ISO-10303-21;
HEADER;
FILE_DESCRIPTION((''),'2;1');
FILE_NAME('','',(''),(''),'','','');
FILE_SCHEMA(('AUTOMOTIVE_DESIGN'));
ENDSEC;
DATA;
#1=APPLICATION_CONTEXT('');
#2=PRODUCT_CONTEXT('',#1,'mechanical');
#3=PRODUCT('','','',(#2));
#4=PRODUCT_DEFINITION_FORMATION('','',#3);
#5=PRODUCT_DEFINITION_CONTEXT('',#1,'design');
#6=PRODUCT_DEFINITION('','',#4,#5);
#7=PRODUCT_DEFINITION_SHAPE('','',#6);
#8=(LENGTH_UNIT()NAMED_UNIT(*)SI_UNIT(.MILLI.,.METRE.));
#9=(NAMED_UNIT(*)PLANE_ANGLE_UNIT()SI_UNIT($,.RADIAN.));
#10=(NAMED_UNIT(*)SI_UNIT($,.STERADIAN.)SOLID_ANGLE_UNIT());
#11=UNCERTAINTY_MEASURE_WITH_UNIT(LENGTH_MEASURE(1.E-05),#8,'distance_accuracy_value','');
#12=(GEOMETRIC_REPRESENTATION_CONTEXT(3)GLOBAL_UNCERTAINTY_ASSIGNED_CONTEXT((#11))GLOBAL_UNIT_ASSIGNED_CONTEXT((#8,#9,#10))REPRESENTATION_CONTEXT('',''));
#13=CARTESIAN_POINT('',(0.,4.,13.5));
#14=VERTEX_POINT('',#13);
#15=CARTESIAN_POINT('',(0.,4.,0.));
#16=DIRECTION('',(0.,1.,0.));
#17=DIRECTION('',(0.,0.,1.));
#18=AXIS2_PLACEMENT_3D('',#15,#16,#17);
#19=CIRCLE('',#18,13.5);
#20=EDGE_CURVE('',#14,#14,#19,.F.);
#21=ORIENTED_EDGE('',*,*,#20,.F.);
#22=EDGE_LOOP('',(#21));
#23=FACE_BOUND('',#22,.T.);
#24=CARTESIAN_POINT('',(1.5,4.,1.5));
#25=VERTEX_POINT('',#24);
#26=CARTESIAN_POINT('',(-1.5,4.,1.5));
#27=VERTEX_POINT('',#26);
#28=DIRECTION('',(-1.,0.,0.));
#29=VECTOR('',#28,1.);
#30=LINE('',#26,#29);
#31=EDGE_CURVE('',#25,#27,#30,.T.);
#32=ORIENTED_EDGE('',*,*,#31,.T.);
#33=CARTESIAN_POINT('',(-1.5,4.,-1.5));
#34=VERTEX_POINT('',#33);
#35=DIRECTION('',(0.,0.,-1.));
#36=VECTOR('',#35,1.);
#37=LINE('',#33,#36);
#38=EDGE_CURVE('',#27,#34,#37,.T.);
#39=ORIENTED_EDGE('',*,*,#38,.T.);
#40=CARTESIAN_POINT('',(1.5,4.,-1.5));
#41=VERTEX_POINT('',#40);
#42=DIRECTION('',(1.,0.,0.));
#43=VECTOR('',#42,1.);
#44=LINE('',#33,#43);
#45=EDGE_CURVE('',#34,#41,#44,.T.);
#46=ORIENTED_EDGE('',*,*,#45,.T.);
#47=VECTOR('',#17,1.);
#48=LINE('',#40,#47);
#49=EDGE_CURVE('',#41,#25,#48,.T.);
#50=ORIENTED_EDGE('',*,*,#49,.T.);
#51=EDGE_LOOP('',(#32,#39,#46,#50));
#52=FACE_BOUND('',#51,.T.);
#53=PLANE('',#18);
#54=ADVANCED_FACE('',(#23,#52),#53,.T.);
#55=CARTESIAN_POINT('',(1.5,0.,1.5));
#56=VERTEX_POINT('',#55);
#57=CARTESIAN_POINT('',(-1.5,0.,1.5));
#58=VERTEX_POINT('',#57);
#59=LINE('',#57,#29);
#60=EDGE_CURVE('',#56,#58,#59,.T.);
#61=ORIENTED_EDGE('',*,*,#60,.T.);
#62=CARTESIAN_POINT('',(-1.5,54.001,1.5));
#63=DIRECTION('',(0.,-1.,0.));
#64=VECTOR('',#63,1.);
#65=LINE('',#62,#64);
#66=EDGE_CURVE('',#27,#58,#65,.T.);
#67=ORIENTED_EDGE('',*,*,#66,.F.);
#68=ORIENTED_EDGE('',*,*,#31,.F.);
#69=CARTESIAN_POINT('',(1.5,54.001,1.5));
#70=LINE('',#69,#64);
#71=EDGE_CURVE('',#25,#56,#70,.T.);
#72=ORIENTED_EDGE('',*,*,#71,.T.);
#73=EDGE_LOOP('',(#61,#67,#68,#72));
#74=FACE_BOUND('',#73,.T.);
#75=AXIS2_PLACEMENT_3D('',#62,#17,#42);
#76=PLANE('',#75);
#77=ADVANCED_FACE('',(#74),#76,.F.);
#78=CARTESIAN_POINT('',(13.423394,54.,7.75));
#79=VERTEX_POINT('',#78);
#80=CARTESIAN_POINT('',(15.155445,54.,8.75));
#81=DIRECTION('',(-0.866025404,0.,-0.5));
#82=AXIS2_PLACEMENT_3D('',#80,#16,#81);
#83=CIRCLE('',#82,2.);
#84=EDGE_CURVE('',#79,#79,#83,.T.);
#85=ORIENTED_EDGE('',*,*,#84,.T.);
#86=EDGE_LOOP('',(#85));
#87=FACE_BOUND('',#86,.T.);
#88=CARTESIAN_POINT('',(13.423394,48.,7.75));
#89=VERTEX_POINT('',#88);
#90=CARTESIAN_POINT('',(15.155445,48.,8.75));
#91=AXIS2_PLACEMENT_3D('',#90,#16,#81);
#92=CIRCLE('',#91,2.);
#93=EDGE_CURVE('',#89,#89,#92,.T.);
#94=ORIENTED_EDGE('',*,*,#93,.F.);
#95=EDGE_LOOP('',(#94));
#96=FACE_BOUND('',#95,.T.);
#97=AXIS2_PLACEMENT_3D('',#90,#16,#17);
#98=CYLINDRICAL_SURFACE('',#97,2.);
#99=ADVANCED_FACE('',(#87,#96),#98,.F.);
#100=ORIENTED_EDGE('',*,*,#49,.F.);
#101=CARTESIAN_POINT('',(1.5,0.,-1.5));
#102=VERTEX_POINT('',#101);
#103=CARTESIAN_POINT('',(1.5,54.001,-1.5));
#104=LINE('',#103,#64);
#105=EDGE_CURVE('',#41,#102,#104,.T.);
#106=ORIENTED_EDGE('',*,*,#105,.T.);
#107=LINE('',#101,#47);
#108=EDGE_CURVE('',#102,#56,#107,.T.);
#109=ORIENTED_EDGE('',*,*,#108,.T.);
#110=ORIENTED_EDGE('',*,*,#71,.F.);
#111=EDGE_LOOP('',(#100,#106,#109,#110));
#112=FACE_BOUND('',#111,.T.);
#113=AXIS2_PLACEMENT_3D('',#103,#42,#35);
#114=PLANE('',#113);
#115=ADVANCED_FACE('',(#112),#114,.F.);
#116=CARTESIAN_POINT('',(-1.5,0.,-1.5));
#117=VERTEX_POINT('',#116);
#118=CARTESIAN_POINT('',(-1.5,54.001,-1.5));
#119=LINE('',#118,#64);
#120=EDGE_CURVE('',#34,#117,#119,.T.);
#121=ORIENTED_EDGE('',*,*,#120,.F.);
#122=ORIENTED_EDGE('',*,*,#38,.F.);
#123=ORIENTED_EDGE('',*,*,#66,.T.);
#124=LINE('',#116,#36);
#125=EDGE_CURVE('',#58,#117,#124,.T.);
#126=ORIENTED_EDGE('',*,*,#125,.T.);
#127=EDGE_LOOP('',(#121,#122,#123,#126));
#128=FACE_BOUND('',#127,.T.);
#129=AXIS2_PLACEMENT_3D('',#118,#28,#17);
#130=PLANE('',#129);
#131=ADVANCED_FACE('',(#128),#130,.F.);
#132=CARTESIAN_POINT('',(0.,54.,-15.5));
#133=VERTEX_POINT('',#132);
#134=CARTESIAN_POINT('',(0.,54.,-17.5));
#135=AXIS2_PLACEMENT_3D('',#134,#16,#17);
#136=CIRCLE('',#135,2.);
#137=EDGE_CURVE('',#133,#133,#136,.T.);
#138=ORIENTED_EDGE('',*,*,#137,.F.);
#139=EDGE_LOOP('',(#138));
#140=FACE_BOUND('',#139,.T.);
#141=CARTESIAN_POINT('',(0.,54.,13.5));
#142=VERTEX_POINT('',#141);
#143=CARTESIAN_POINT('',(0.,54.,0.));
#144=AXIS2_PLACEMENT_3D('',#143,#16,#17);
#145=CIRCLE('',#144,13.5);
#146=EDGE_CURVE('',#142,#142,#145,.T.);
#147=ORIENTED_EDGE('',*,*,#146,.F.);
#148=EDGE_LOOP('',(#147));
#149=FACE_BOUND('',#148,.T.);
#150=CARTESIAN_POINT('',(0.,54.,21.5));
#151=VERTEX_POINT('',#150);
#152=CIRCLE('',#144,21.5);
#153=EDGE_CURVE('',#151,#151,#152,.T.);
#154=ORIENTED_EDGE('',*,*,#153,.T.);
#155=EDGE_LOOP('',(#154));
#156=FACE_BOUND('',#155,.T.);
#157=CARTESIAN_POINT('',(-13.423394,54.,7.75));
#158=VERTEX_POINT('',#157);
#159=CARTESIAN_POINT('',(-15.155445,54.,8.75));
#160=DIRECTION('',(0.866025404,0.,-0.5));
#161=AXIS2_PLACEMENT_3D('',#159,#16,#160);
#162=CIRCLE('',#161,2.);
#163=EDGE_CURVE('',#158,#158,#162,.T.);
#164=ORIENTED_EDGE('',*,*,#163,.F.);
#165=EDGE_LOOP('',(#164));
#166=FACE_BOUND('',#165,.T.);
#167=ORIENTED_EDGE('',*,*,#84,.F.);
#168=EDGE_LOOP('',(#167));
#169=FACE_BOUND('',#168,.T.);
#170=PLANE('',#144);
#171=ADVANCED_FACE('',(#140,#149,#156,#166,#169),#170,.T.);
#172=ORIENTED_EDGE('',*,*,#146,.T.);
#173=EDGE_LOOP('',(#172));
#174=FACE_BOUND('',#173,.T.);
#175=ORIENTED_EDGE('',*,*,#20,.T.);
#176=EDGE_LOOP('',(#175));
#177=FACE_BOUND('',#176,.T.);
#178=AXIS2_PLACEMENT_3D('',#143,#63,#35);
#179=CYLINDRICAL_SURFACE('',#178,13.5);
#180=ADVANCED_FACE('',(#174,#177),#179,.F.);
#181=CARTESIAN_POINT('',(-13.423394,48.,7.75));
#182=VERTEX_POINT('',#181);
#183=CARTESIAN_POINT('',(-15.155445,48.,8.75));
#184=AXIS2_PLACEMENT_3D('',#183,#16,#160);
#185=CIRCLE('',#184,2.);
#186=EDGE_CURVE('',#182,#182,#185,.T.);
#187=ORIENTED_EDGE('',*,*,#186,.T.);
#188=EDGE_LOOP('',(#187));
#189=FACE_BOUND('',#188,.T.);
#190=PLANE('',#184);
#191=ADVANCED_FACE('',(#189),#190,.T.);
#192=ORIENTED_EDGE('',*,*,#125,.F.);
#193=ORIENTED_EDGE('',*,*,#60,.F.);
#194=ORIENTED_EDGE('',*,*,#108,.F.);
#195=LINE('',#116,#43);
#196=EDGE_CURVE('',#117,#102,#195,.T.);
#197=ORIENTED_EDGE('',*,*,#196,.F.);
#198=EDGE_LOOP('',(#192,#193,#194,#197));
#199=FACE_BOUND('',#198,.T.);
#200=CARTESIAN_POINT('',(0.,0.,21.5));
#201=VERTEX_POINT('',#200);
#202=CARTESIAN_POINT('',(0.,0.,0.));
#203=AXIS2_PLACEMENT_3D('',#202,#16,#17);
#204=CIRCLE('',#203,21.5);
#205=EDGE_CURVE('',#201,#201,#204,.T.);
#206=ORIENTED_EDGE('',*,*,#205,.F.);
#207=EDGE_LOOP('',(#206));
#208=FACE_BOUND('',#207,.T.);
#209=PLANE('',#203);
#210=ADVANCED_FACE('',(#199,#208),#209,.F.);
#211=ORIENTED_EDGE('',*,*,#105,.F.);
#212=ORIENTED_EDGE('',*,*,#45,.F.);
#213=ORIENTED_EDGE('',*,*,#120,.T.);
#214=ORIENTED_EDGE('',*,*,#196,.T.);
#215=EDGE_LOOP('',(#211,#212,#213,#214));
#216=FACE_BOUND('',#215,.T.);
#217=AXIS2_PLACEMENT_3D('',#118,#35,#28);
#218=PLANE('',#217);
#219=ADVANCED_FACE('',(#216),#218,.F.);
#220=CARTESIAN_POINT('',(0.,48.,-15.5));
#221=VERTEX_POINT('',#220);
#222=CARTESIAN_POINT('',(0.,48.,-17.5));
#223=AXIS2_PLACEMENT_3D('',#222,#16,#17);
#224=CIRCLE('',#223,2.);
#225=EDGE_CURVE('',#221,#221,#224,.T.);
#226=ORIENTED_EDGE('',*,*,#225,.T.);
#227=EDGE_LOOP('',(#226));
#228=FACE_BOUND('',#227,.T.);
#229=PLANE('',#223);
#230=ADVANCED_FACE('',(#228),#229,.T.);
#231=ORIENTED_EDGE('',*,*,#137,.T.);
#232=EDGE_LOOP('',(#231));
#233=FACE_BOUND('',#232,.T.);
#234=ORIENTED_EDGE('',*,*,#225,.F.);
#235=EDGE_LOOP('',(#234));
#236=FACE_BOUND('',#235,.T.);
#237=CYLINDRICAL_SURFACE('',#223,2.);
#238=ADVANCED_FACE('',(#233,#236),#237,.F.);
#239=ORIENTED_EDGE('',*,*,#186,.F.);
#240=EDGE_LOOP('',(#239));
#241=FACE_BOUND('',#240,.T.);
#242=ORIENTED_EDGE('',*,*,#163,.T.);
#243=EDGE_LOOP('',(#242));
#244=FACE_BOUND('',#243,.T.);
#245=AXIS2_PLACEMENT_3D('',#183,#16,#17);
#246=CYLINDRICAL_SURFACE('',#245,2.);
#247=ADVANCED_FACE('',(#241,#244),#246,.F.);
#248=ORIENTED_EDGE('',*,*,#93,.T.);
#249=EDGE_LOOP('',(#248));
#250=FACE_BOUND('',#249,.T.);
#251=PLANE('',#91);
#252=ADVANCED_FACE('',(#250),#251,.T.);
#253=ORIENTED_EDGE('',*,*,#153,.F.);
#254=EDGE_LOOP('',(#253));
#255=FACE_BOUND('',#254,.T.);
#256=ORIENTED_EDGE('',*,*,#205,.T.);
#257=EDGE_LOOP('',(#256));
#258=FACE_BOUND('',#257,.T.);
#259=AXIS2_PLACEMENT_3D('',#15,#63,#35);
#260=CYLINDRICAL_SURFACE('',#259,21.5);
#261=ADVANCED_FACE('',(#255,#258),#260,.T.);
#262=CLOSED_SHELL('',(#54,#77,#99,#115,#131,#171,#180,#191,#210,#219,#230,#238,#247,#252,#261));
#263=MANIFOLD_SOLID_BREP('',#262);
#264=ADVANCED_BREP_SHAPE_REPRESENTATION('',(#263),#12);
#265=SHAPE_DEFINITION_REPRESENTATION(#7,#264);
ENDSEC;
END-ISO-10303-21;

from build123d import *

# Parameters (mm, degrees)
SKETCH1_R           = 21.5
BOSS_EXTRUDE1_DEPTH = 4
SKETCH2_R           = 21.5
SKETCH2_R_2         = 13.5
BOSS_EXTRUDE2_DEPTH = 50
SKETCH3_R           = 2
CUT_EXTRUDE1_DEPTH  = 6
CIRPATTERN1_COUNT   = 3
CUT_EXTRUDE2_REACH  = 63.972
SKETCH4_W           = 3
SKETCH4_H           = 3


with BuildPart() as part:
    # Sketch1 → Boss-Extrude1 (new body)
    with BuildSketch(Plane(origin=(0, 0, 0), x_dir=(1, 0, 0), z_dir=(0, 1, 0))):
        with Locations(Location((0, 0, 0), (0, 0, 270))):
            Circle(SKETCH1_R)
    extrude(amount=BOSS_EXTRUDE1_DEPTH)

    # Sketch2 → Boss-Extrude2 (add)
    with BuildSketch(Plane(origin=(0, 4, 0), x_dir=(1, 0, 0), z_dir=(0, 1, 0))):
        with Locations(Location((0, 0, 0), (0, 0, 270))):
            Circle(SKETCH2_R)
        with Locations(Location((0, 0, 0), (0, 0, 270))):
            Circle(SKETCH2_R_2, mode=Mode.SUBTRACT)
    extrude(amount=BOSS_EXTRUDE2_DEPTH)

    # Sketch3 → Cut-Extrude1 (cut)
    with BuildSketch(Plane(origin=(0, 54, 0), x_dir=(1, 0, 0), z_dir=(0, 1, 0))):
        with Locations(Location((0, 17.5, 0), (0, 0, 270))):
            Circle(SKETCH3_R)
    cut_extrude1 = extrude(amount=-CUT_EXTRUDE1_DEPTH, mode=Mode.SUBTRACT)

    # CirPattern1: Cut-Extrude1 ×3 about axis
    cirpattern1_axis = Axis((0, 0, 0), (0, 1, 0))
    for i in range(1, CIRPATTERN1_COUNT):
        add(cut_extrude1.rotate(cirpattern1_axis, i * 360 / CIRPATTERN1_COUNT), mode=Mode.SUBTRACT)

    # Sketch4 → Cut-Extrude2 (cut, up to next)
    with BuildSketch(Plane.XZ, mode=Mode.PRIVATE) as cut_extrude2_sk1:
        Rectangle(SKETCH4_W, SKETCH4_H)
    cut_extrude2_tool1 = extrude(cut_extrude2_sk1.sketch, amount=-CUT_EXTRUDE2_REACH, mode=Mode.PRIVATE) & part.part
    add(cut_extrude2_tool1.solids().sort_by_distance((0, 0, 0))[0], mode=Mode.SUBTRACT)


solid = part.part
